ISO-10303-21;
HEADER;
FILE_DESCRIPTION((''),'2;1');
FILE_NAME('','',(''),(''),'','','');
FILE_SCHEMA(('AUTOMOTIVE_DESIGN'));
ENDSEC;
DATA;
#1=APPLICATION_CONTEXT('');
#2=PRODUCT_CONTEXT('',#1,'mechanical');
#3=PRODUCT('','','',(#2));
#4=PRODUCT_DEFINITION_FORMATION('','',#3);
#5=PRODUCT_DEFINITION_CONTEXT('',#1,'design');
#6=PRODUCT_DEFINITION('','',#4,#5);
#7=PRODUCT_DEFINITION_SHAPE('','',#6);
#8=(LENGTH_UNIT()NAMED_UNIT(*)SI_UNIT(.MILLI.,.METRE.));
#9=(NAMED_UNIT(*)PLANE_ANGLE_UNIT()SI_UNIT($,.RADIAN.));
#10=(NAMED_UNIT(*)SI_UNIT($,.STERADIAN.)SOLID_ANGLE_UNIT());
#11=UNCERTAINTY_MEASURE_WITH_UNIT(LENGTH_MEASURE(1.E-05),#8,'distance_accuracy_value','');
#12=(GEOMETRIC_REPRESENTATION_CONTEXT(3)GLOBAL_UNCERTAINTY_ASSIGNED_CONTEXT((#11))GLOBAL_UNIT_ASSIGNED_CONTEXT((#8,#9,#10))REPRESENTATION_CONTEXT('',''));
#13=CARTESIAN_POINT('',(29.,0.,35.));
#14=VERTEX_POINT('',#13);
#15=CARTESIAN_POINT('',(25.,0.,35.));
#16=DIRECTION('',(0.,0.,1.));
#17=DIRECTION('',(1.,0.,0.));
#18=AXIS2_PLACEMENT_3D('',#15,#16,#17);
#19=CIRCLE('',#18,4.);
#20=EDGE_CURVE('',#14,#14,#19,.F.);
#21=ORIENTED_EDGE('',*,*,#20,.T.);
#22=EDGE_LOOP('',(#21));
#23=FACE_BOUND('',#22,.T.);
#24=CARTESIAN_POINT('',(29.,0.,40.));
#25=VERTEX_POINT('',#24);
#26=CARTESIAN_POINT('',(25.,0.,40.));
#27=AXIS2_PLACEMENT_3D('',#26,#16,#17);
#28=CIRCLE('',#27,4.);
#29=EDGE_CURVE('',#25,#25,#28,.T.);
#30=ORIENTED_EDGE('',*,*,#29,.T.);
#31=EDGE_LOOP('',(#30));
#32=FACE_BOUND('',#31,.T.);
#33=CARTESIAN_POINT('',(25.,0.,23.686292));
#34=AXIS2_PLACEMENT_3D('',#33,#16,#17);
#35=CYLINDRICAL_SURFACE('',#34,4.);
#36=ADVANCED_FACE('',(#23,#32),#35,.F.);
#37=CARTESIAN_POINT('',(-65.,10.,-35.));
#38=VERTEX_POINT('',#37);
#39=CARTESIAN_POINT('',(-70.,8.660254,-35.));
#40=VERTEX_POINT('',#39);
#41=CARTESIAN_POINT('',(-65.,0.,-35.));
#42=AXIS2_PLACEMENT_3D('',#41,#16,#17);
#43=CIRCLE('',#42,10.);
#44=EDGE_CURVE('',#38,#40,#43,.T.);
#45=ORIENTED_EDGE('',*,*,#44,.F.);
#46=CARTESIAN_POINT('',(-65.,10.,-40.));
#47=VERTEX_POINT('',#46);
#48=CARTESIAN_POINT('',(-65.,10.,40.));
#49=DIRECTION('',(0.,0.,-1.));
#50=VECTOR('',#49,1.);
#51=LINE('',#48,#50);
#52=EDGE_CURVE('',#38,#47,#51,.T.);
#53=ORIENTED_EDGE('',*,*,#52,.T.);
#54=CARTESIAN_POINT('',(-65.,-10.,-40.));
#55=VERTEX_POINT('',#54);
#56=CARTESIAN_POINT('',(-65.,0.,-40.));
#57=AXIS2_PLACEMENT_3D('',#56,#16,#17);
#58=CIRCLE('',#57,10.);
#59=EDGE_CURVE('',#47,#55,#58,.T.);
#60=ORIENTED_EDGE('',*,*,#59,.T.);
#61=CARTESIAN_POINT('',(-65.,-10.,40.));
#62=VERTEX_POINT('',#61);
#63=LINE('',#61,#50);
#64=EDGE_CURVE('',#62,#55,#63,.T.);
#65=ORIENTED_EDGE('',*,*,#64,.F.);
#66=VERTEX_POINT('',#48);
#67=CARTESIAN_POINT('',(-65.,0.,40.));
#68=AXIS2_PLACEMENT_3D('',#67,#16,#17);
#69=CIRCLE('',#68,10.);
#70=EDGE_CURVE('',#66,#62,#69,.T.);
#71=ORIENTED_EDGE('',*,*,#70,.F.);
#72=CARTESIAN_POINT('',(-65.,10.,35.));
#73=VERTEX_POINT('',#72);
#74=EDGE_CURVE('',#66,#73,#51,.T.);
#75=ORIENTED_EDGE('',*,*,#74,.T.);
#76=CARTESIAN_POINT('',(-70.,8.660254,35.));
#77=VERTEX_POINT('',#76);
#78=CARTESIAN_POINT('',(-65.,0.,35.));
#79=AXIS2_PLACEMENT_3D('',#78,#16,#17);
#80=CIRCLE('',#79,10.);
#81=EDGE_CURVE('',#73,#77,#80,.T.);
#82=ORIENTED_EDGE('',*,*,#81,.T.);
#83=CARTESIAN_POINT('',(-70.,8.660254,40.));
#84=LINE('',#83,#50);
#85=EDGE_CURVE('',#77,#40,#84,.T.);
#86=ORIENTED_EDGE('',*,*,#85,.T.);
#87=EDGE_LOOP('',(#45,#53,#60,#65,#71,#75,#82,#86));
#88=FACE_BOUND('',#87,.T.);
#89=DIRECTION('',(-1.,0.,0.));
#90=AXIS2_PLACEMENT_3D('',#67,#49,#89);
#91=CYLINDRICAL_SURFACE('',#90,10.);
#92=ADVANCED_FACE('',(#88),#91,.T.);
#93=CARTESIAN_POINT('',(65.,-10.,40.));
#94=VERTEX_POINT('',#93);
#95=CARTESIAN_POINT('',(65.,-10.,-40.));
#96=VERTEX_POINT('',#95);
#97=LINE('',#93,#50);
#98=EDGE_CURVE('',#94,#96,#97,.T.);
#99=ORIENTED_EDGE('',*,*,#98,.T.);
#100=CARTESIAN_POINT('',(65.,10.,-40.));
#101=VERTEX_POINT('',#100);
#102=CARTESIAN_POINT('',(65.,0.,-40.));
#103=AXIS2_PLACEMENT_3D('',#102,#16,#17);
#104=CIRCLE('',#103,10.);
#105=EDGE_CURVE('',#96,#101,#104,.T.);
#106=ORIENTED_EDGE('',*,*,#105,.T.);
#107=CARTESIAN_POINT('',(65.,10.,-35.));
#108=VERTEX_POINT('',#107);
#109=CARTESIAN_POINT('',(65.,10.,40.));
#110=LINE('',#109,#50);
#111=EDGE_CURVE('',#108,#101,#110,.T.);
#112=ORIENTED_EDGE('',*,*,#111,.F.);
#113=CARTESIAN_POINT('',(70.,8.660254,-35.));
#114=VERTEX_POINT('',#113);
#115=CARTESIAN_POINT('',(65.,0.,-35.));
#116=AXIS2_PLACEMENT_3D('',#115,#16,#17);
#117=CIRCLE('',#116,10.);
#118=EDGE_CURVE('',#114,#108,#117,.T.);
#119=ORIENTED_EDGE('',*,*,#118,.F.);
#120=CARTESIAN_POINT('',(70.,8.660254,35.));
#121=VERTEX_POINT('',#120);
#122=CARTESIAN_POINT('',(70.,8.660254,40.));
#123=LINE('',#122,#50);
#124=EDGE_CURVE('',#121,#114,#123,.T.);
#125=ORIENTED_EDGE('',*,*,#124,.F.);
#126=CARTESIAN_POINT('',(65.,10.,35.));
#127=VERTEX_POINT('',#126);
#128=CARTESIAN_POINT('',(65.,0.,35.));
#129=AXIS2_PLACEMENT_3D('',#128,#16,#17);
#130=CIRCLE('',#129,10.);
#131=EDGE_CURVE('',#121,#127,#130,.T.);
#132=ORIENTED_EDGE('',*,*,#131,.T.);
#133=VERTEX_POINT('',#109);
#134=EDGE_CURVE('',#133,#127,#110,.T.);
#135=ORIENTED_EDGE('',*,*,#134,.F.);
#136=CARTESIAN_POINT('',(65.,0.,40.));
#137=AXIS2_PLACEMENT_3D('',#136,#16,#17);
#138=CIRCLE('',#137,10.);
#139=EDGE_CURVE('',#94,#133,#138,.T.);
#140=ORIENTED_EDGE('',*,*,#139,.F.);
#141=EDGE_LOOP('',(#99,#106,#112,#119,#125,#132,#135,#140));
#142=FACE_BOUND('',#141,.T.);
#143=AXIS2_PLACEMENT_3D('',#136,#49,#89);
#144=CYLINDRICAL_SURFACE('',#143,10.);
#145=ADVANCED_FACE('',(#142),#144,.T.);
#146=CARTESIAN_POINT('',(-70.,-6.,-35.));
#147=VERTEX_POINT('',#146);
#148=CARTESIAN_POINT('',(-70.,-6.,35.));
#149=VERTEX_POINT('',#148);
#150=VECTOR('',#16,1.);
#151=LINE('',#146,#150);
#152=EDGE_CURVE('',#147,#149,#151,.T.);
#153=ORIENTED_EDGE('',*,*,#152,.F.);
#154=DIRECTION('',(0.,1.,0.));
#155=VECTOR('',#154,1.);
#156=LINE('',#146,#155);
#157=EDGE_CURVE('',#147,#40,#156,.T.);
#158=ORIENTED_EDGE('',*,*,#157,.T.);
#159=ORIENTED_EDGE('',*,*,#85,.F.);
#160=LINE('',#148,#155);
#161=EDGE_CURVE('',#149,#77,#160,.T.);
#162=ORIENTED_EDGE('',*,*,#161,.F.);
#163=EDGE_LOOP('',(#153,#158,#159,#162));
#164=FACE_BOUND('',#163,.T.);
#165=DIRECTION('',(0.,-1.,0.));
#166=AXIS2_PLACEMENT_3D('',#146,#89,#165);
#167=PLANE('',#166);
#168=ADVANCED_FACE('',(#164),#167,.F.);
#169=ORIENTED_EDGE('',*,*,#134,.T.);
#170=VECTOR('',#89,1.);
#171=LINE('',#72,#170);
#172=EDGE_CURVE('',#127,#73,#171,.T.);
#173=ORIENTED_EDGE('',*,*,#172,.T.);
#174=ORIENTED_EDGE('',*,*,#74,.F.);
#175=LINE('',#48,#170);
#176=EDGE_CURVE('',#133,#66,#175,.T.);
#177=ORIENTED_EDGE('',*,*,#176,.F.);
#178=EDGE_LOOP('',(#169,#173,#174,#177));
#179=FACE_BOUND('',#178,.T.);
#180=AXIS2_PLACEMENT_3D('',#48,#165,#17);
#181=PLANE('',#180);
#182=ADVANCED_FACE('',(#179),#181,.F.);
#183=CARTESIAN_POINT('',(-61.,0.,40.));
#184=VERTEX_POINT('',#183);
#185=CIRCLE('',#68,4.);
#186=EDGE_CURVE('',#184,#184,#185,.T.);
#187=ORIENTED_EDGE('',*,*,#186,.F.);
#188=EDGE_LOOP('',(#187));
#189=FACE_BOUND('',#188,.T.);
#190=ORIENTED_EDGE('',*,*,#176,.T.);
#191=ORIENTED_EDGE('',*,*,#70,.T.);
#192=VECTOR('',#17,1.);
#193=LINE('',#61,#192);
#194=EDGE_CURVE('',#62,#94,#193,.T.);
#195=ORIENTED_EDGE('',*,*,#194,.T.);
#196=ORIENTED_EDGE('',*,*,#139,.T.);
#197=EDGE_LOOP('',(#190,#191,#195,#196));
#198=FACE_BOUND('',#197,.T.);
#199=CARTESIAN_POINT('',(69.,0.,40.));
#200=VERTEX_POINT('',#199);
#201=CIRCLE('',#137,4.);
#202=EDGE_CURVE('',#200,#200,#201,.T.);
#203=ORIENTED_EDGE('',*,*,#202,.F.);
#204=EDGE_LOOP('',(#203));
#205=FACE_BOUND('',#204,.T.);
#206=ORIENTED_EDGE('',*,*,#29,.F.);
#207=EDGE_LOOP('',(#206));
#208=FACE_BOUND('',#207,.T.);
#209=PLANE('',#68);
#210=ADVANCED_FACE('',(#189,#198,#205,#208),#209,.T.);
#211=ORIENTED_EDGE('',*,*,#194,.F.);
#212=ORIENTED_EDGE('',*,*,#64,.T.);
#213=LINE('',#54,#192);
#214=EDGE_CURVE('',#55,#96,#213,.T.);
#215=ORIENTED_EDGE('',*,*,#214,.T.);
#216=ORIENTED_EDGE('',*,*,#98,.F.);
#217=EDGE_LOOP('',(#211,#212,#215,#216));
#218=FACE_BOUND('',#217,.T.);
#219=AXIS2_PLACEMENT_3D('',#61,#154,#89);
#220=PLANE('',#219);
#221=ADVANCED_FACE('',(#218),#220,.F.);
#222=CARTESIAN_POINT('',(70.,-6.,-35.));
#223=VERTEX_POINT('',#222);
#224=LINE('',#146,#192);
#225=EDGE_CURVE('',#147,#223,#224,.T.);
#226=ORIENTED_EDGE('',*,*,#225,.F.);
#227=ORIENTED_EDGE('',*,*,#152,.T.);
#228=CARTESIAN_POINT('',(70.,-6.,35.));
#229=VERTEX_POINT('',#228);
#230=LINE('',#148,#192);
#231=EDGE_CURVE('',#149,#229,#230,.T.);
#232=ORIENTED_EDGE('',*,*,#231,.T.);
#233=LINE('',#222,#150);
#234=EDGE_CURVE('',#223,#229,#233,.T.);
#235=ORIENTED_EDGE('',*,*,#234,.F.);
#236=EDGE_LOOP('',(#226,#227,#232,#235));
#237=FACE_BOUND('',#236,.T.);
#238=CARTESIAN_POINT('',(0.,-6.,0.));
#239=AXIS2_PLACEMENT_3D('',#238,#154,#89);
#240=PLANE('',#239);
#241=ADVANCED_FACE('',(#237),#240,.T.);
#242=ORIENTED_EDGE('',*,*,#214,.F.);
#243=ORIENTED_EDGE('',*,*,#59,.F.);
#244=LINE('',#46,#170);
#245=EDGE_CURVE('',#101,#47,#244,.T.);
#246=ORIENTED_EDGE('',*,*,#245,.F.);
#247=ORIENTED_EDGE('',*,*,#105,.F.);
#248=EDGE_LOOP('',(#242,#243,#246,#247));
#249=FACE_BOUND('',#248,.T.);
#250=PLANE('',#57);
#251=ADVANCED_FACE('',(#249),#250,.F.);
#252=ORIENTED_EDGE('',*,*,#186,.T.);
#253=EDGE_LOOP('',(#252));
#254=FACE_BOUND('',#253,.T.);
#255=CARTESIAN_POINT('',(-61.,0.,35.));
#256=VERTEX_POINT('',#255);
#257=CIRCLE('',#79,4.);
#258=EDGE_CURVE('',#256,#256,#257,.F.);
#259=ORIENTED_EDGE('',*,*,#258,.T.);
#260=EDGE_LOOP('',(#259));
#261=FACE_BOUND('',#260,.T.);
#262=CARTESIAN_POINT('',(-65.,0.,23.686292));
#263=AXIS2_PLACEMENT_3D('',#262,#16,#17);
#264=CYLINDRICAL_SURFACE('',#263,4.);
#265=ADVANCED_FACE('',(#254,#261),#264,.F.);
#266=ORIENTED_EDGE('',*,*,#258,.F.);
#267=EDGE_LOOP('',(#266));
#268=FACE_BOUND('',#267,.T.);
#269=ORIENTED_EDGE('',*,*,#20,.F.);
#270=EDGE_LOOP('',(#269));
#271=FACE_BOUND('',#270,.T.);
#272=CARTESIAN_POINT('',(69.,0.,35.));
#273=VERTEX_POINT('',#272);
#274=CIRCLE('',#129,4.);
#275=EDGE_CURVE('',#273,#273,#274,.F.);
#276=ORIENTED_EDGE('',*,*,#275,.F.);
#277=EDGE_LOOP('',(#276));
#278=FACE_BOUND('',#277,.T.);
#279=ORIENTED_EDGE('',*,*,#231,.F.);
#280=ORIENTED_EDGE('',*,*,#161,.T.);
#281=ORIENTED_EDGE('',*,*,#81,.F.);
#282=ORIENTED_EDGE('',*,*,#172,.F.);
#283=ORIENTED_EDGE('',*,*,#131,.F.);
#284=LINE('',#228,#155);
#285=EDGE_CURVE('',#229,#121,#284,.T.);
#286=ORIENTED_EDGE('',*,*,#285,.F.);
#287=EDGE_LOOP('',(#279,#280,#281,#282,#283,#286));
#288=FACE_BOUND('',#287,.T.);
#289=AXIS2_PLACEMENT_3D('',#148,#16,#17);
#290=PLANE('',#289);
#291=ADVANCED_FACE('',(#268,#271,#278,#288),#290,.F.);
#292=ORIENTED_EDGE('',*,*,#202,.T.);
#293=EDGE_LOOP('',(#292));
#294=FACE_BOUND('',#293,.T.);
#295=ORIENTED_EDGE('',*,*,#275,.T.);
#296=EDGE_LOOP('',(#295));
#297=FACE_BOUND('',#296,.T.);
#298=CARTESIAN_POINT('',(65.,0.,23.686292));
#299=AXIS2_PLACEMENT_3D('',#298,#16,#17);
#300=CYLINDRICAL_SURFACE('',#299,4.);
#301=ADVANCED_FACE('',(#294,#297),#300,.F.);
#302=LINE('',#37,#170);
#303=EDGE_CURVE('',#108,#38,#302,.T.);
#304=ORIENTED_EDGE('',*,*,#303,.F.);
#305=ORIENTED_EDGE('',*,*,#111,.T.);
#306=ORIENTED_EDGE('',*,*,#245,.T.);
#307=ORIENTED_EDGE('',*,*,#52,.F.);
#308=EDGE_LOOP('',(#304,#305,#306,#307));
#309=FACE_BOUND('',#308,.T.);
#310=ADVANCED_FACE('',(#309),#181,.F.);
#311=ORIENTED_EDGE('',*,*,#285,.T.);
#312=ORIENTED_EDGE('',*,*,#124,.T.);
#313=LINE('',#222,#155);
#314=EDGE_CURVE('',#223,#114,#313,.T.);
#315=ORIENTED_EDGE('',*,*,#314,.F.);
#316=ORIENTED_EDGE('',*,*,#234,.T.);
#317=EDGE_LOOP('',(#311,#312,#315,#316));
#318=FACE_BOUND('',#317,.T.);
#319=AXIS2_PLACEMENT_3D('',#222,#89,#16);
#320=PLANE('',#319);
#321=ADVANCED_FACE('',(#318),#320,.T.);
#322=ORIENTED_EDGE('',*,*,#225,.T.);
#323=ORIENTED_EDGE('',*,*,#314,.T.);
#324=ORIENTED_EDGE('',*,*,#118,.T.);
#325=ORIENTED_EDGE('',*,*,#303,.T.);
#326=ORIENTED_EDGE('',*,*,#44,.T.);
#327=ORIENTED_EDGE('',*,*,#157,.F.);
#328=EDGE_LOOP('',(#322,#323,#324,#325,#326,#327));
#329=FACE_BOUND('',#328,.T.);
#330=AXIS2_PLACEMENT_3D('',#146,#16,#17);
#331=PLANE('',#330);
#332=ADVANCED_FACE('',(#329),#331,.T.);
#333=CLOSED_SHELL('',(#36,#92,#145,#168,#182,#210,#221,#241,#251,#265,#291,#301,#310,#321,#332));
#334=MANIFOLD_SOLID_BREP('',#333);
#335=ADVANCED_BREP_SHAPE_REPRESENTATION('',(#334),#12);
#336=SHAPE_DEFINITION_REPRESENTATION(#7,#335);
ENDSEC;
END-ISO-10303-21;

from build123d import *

# Parameters (mm, degrees)
BOSS_EXTRUDE1_DEPTH      = 40
BOSS_EXTRUDE1_DEPTH_BACK = 40
SKETCH2_W                = 140
SKETCH2_H                = 70
CUT_EXTRUDE1_DEPTH       = 16
SKETCH3_R                = 4
CUT_EXTRUDE2_DEPTH       = 5


with BuildPart() as part:
    # Sketch1 → Boss-Extrude1 (new, two sides: drawn at the far end of the back side and taken through both)
    with BuildSketch(Plane.XY.offset(-BOSS_EXTRUDE1_DEPTH_BACK)):
        with BuildLine():
            Line((-65, 10), (65, 10))
            ThreePointArc((65, 10), (75, 0), (65, -10))
            Line((65, -10), (-65, -10))
            ThreePointArc((-65, -10), (-75, 0), (-65, 10))
        make_face()
    extrude(amount=BOSS_EXTRUDE1_DEPTH + BOSS_EXTRUDE1_DEPTH_BACK)

    # Sketch2 → Cut-Extrude1 (cut)
    with BuildSketch(Plane(origin=(0, 10, 0), x_dir=(1, 0, 0), z_dir=(0, 1, 0))):
        Rectangle(SKETCH2_W, SKETCH2_H)
    extrude(amount=-CUT_EXTRUDE1_DEPTH, mode=Mode.SUBTRACT)

    # Sketch3 → Cut-Extrude2 (cut)
    with BuildSketch(Plane.XY.offset(40)):
        with Locations((65, 0)):
            Circle(SKETCH3_R)
        with Locations((-65, 0)):
            Circle(SKETCH3_R)
        with Locations((25, 0)):
            Circle(SKETCH3_R)
    extrude(amount=-CUT_EXTRUDE2_DEPTH, mode=Mode.SUBTRACT)


solid = part.part
